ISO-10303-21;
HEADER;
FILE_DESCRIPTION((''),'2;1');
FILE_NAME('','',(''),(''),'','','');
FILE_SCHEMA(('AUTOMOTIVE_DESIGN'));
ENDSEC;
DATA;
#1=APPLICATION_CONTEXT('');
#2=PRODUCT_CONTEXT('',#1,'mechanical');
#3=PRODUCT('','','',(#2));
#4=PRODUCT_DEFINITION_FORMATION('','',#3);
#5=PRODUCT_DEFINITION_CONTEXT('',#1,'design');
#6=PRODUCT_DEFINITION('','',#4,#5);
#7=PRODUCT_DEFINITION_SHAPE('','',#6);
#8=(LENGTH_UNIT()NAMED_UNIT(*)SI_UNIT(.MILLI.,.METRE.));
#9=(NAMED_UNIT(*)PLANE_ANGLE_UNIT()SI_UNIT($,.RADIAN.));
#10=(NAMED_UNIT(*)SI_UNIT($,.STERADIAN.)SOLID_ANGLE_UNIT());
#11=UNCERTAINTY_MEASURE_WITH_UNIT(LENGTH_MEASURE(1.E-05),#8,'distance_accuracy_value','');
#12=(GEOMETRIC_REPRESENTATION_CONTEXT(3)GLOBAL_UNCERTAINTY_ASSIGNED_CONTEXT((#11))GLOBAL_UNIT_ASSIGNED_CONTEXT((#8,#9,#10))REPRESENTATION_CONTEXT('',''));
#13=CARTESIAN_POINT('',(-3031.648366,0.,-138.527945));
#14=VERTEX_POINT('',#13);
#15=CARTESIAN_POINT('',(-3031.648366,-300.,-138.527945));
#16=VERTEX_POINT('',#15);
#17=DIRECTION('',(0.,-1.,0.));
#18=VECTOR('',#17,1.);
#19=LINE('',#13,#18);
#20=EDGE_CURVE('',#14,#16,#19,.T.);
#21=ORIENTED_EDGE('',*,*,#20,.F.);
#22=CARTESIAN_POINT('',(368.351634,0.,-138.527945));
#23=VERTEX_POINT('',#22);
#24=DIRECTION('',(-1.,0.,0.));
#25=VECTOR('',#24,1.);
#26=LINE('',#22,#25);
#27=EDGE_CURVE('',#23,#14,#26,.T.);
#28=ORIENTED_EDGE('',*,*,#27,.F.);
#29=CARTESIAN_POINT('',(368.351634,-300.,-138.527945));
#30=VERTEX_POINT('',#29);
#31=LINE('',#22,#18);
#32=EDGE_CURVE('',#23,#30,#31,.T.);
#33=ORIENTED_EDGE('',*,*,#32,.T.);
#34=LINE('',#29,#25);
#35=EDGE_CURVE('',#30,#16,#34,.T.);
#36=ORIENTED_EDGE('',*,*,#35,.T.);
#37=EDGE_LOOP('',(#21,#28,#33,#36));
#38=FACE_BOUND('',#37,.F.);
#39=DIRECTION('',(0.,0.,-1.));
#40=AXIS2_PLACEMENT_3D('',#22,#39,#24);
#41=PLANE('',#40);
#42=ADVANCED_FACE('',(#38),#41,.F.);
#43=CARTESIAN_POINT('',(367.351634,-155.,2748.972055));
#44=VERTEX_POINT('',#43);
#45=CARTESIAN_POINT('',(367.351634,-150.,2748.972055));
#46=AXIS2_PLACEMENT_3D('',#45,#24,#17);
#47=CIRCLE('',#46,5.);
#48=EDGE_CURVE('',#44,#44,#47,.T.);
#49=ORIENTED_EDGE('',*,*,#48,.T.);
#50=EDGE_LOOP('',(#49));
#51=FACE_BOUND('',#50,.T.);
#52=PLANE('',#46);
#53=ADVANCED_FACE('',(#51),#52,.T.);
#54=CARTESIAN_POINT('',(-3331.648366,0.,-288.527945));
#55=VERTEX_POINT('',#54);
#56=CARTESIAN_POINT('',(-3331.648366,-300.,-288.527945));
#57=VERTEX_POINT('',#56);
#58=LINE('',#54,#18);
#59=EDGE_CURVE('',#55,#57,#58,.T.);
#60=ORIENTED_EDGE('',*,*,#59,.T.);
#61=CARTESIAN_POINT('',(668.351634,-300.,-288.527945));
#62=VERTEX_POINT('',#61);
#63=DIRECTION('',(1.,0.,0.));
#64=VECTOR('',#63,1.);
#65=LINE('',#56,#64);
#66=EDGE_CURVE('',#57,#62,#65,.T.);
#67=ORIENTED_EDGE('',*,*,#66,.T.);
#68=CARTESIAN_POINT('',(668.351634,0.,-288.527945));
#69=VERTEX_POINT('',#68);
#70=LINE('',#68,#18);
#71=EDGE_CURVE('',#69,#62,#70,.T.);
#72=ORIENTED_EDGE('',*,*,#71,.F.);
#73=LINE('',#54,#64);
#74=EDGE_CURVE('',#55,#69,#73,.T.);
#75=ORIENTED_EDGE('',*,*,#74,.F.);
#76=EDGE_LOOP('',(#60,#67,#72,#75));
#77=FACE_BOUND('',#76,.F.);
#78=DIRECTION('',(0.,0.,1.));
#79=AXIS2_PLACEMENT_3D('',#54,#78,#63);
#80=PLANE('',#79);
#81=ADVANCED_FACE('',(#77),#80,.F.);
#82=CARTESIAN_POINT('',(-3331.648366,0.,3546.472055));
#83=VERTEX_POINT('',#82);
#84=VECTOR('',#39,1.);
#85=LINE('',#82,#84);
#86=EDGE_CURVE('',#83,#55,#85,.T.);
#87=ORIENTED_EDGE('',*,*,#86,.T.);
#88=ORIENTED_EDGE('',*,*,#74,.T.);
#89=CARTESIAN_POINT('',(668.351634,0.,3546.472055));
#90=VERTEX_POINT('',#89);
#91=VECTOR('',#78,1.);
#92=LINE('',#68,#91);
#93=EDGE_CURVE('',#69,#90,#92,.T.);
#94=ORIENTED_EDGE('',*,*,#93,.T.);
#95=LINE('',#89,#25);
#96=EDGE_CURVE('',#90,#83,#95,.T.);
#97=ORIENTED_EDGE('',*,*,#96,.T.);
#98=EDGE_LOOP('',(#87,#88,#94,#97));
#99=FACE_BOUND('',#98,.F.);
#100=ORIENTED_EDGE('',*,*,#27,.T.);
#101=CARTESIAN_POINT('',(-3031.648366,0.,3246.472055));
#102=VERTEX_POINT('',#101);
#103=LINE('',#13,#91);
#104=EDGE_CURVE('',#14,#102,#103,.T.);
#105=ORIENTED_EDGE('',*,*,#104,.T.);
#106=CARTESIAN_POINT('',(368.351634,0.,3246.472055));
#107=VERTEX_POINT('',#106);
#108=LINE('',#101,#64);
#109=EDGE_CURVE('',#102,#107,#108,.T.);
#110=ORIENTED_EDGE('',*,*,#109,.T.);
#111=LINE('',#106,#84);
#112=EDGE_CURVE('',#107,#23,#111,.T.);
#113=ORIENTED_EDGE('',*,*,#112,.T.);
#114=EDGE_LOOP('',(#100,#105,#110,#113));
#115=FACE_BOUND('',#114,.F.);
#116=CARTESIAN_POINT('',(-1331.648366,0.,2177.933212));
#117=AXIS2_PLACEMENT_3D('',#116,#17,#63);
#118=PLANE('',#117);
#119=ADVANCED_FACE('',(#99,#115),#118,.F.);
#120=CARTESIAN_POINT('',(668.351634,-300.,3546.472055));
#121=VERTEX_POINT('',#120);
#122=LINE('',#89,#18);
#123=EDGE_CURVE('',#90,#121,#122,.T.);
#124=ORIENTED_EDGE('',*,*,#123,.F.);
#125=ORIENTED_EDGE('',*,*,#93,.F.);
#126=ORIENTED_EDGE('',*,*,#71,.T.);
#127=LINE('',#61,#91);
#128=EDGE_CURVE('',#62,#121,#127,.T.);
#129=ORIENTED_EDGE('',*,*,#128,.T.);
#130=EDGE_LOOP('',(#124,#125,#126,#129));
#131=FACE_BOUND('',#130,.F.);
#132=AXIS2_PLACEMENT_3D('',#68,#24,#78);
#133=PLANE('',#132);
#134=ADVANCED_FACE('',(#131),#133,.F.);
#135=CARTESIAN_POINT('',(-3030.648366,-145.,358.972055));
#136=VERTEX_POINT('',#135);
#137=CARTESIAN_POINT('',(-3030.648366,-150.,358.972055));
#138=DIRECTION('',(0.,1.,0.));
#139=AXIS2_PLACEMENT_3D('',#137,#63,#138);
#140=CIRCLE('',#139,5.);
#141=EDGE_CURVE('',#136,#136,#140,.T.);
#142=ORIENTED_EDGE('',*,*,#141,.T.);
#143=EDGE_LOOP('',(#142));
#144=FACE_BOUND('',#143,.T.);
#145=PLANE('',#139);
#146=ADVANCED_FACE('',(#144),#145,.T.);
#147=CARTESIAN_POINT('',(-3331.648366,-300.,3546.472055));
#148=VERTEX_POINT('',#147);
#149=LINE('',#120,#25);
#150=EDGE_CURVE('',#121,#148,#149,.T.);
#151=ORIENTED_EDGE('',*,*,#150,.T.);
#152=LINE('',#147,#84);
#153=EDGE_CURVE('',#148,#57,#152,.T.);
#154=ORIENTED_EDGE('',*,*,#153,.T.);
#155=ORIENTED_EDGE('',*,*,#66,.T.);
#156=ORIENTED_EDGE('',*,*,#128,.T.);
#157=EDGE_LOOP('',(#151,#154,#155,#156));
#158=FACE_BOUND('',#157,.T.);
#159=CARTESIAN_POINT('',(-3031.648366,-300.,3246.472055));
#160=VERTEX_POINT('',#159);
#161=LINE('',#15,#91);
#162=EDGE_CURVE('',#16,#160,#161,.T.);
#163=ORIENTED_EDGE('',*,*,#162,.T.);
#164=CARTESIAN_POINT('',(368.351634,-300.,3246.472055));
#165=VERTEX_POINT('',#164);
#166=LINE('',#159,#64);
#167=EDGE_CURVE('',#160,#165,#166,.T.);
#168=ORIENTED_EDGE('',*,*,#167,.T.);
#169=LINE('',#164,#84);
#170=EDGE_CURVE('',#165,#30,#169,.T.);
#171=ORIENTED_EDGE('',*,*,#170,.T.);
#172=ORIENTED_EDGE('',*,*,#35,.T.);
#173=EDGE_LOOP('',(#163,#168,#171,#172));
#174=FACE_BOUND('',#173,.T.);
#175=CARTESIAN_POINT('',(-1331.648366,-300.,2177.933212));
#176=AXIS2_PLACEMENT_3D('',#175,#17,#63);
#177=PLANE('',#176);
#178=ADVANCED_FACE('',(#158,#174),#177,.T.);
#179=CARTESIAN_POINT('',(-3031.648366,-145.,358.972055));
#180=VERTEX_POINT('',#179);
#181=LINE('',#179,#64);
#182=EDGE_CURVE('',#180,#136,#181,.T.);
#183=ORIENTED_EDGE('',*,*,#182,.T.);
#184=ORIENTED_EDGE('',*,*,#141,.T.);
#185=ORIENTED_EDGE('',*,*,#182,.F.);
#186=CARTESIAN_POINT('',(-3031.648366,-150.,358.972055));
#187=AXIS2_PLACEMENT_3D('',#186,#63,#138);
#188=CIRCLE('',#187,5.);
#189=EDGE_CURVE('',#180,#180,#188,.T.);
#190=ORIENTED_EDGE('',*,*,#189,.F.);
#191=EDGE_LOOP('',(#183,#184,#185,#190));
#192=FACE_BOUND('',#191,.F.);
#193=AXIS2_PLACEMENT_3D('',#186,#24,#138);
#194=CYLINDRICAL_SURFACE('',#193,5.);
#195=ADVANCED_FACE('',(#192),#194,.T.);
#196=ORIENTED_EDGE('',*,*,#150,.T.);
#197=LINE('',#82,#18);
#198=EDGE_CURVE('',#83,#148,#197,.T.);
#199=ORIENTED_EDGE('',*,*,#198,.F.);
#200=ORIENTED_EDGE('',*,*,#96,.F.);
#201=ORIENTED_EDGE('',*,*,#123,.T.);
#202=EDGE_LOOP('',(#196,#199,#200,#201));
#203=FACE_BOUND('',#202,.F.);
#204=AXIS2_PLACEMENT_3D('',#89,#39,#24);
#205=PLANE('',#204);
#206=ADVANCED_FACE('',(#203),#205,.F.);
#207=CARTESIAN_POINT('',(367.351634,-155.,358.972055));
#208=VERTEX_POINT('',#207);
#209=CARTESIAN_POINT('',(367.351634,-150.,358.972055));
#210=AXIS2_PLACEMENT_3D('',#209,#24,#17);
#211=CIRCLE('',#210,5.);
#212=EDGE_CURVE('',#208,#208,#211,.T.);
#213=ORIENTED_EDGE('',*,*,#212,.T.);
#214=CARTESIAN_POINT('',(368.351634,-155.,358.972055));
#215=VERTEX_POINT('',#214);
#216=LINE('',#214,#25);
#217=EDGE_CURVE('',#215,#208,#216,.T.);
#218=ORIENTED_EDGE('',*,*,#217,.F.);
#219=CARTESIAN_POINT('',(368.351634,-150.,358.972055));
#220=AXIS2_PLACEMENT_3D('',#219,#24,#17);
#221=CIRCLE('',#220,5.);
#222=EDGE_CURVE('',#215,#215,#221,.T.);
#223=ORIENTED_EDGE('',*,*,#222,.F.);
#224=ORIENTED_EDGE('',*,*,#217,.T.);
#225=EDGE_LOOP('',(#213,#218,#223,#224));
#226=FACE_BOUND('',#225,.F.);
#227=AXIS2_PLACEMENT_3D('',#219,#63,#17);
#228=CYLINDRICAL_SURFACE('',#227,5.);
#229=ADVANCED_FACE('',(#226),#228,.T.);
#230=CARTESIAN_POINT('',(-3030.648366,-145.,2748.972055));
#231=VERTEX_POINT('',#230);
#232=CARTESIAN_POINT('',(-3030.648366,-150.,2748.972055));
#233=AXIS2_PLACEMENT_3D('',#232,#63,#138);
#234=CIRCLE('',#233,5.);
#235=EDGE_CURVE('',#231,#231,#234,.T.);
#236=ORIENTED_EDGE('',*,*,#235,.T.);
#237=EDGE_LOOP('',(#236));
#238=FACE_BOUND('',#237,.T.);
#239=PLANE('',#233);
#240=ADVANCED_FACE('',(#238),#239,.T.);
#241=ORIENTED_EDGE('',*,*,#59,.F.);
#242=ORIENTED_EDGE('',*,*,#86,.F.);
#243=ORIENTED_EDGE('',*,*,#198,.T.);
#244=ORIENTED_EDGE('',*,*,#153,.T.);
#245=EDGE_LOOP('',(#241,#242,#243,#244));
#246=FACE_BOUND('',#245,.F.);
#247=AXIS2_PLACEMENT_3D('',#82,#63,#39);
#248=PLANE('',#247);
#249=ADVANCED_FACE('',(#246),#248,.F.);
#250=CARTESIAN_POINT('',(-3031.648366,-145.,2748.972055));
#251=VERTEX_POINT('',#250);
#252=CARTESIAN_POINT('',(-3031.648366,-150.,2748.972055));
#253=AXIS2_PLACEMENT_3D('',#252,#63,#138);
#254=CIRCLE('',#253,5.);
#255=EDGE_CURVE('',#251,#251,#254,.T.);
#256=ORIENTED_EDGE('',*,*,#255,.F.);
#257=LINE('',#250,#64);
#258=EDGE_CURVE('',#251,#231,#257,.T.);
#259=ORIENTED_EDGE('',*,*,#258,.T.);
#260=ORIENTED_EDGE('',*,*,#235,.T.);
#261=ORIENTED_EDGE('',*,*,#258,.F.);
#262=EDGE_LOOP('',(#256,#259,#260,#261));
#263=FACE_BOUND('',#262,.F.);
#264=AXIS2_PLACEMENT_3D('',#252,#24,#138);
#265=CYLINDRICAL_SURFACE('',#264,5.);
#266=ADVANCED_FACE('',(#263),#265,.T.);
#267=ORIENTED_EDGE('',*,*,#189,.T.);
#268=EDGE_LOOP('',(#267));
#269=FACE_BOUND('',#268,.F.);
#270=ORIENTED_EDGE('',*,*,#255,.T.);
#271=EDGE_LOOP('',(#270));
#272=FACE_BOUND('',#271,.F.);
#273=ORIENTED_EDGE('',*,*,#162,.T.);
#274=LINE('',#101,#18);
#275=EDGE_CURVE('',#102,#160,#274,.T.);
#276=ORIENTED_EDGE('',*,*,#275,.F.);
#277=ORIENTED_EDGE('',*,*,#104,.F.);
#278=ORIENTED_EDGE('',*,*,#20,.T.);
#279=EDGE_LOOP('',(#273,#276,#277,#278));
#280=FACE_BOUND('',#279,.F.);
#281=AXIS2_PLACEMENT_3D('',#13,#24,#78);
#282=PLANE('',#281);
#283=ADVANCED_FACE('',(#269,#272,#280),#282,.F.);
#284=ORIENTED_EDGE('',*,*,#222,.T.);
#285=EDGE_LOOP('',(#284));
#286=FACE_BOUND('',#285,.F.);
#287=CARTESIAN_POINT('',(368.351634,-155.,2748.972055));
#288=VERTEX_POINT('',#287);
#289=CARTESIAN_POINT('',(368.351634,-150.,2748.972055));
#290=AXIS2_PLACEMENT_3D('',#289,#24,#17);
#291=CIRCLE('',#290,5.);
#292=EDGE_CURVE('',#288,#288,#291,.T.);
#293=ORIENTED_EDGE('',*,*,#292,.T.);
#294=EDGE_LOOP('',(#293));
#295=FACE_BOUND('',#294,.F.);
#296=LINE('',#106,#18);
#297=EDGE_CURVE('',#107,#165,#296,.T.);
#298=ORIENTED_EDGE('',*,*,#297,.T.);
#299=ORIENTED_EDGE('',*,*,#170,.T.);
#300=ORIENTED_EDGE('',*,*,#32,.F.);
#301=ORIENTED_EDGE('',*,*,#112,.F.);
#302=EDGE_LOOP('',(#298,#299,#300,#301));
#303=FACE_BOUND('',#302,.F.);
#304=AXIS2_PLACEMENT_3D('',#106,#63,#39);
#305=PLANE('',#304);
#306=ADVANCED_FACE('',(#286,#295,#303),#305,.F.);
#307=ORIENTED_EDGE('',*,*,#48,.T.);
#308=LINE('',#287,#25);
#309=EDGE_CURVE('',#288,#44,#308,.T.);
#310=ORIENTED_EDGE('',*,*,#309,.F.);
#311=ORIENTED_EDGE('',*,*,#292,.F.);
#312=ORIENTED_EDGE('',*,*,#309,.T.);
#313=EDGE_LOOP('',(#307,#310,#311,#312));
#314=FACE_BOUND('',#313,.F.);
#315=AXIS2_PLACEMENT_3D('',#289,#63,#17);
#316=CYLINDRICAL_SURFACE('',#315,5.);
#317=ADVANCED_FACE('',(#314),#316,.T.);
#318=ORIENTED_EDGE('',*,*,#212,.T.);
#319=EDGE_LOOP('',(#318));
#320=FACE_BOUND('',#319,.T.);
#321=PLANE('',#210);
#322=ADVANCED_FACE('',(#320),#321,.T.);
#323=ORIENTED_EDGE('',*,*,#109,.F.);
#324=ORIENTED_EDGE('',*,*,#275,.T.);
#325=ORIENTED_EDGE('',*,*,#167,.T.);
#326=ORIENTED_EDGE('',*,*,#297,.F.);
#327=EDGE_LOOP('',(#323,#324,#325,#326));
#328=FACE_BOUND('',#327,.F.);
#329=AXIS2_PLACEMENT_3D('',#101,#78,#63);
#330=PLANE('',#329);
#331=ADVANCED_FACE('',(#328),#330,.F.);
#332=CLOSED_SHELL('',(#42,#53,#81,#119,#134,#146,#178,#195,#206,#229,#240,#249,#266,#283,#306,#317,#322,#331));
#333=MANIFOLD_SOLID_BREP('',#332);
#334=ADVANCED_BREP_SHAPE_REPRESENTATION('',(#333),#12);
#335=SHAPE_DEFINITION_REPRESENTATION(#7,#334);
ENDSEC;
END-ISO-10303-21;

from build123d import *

# Parameters (mm, degrees)
F1_DEPTH = 300
F2_R     = 5
F3_DEPTH = 1
F4_R     = 5
F5_DEPTH = 1


with BuildPart() as f1:
    # F0 (on Front) → F1 (new body)
    with BuildSketch(Plane.XZ):
        Polygon((-3031.6483664513, -138.527944684), (-3031.6483664513, 3246.472055316), (368.3516335487, 3246.472055316), (368.3516335487, -138.527944684), (668.3516335487, -138.527944684), (668.3516335487, 3546.472055316), (-3331.6483664513, 3546.472055316), (-3331.6483664513, -138.527944684), align=None)
        Polygon((368.3516335487, -138.527944684), (-3031.6483664513, -138.527944684), (-3331.6483664513, -138.527944684), (-3331.6483664513, -288.527944684), (668.3516335487, -288.527944684), (668.3516335487, -138.527944684), align=None)
    extrude(amount=F1_DEPTH)

    # F2 (on face) → F3 (join)
    with BuildSketch(Plane.YZ.offset(-3031.6483664513)):
        with Locations((-150, 2748.972055316)):
            Circle(F2_R)
        with Locations((-150, 358.972055316)):
            Circle(F2_R)
    extrude(amount=F3_DEPTH)

    # F4 (on face) → F5 (join)
    with BuildSketch(Plane(origin=(368.3516335487, 0, 0), x_dir=(0, -1, 0), z_dir=(-1, 0, 0))):
        with Locations((150, 2748.972055316)):
            Circle(F4_R)
        with Locations((150, 358.972055316)):
            Circle(F4_R)
    extrude(amount=F5_DEPTH)


solid = f1.part
